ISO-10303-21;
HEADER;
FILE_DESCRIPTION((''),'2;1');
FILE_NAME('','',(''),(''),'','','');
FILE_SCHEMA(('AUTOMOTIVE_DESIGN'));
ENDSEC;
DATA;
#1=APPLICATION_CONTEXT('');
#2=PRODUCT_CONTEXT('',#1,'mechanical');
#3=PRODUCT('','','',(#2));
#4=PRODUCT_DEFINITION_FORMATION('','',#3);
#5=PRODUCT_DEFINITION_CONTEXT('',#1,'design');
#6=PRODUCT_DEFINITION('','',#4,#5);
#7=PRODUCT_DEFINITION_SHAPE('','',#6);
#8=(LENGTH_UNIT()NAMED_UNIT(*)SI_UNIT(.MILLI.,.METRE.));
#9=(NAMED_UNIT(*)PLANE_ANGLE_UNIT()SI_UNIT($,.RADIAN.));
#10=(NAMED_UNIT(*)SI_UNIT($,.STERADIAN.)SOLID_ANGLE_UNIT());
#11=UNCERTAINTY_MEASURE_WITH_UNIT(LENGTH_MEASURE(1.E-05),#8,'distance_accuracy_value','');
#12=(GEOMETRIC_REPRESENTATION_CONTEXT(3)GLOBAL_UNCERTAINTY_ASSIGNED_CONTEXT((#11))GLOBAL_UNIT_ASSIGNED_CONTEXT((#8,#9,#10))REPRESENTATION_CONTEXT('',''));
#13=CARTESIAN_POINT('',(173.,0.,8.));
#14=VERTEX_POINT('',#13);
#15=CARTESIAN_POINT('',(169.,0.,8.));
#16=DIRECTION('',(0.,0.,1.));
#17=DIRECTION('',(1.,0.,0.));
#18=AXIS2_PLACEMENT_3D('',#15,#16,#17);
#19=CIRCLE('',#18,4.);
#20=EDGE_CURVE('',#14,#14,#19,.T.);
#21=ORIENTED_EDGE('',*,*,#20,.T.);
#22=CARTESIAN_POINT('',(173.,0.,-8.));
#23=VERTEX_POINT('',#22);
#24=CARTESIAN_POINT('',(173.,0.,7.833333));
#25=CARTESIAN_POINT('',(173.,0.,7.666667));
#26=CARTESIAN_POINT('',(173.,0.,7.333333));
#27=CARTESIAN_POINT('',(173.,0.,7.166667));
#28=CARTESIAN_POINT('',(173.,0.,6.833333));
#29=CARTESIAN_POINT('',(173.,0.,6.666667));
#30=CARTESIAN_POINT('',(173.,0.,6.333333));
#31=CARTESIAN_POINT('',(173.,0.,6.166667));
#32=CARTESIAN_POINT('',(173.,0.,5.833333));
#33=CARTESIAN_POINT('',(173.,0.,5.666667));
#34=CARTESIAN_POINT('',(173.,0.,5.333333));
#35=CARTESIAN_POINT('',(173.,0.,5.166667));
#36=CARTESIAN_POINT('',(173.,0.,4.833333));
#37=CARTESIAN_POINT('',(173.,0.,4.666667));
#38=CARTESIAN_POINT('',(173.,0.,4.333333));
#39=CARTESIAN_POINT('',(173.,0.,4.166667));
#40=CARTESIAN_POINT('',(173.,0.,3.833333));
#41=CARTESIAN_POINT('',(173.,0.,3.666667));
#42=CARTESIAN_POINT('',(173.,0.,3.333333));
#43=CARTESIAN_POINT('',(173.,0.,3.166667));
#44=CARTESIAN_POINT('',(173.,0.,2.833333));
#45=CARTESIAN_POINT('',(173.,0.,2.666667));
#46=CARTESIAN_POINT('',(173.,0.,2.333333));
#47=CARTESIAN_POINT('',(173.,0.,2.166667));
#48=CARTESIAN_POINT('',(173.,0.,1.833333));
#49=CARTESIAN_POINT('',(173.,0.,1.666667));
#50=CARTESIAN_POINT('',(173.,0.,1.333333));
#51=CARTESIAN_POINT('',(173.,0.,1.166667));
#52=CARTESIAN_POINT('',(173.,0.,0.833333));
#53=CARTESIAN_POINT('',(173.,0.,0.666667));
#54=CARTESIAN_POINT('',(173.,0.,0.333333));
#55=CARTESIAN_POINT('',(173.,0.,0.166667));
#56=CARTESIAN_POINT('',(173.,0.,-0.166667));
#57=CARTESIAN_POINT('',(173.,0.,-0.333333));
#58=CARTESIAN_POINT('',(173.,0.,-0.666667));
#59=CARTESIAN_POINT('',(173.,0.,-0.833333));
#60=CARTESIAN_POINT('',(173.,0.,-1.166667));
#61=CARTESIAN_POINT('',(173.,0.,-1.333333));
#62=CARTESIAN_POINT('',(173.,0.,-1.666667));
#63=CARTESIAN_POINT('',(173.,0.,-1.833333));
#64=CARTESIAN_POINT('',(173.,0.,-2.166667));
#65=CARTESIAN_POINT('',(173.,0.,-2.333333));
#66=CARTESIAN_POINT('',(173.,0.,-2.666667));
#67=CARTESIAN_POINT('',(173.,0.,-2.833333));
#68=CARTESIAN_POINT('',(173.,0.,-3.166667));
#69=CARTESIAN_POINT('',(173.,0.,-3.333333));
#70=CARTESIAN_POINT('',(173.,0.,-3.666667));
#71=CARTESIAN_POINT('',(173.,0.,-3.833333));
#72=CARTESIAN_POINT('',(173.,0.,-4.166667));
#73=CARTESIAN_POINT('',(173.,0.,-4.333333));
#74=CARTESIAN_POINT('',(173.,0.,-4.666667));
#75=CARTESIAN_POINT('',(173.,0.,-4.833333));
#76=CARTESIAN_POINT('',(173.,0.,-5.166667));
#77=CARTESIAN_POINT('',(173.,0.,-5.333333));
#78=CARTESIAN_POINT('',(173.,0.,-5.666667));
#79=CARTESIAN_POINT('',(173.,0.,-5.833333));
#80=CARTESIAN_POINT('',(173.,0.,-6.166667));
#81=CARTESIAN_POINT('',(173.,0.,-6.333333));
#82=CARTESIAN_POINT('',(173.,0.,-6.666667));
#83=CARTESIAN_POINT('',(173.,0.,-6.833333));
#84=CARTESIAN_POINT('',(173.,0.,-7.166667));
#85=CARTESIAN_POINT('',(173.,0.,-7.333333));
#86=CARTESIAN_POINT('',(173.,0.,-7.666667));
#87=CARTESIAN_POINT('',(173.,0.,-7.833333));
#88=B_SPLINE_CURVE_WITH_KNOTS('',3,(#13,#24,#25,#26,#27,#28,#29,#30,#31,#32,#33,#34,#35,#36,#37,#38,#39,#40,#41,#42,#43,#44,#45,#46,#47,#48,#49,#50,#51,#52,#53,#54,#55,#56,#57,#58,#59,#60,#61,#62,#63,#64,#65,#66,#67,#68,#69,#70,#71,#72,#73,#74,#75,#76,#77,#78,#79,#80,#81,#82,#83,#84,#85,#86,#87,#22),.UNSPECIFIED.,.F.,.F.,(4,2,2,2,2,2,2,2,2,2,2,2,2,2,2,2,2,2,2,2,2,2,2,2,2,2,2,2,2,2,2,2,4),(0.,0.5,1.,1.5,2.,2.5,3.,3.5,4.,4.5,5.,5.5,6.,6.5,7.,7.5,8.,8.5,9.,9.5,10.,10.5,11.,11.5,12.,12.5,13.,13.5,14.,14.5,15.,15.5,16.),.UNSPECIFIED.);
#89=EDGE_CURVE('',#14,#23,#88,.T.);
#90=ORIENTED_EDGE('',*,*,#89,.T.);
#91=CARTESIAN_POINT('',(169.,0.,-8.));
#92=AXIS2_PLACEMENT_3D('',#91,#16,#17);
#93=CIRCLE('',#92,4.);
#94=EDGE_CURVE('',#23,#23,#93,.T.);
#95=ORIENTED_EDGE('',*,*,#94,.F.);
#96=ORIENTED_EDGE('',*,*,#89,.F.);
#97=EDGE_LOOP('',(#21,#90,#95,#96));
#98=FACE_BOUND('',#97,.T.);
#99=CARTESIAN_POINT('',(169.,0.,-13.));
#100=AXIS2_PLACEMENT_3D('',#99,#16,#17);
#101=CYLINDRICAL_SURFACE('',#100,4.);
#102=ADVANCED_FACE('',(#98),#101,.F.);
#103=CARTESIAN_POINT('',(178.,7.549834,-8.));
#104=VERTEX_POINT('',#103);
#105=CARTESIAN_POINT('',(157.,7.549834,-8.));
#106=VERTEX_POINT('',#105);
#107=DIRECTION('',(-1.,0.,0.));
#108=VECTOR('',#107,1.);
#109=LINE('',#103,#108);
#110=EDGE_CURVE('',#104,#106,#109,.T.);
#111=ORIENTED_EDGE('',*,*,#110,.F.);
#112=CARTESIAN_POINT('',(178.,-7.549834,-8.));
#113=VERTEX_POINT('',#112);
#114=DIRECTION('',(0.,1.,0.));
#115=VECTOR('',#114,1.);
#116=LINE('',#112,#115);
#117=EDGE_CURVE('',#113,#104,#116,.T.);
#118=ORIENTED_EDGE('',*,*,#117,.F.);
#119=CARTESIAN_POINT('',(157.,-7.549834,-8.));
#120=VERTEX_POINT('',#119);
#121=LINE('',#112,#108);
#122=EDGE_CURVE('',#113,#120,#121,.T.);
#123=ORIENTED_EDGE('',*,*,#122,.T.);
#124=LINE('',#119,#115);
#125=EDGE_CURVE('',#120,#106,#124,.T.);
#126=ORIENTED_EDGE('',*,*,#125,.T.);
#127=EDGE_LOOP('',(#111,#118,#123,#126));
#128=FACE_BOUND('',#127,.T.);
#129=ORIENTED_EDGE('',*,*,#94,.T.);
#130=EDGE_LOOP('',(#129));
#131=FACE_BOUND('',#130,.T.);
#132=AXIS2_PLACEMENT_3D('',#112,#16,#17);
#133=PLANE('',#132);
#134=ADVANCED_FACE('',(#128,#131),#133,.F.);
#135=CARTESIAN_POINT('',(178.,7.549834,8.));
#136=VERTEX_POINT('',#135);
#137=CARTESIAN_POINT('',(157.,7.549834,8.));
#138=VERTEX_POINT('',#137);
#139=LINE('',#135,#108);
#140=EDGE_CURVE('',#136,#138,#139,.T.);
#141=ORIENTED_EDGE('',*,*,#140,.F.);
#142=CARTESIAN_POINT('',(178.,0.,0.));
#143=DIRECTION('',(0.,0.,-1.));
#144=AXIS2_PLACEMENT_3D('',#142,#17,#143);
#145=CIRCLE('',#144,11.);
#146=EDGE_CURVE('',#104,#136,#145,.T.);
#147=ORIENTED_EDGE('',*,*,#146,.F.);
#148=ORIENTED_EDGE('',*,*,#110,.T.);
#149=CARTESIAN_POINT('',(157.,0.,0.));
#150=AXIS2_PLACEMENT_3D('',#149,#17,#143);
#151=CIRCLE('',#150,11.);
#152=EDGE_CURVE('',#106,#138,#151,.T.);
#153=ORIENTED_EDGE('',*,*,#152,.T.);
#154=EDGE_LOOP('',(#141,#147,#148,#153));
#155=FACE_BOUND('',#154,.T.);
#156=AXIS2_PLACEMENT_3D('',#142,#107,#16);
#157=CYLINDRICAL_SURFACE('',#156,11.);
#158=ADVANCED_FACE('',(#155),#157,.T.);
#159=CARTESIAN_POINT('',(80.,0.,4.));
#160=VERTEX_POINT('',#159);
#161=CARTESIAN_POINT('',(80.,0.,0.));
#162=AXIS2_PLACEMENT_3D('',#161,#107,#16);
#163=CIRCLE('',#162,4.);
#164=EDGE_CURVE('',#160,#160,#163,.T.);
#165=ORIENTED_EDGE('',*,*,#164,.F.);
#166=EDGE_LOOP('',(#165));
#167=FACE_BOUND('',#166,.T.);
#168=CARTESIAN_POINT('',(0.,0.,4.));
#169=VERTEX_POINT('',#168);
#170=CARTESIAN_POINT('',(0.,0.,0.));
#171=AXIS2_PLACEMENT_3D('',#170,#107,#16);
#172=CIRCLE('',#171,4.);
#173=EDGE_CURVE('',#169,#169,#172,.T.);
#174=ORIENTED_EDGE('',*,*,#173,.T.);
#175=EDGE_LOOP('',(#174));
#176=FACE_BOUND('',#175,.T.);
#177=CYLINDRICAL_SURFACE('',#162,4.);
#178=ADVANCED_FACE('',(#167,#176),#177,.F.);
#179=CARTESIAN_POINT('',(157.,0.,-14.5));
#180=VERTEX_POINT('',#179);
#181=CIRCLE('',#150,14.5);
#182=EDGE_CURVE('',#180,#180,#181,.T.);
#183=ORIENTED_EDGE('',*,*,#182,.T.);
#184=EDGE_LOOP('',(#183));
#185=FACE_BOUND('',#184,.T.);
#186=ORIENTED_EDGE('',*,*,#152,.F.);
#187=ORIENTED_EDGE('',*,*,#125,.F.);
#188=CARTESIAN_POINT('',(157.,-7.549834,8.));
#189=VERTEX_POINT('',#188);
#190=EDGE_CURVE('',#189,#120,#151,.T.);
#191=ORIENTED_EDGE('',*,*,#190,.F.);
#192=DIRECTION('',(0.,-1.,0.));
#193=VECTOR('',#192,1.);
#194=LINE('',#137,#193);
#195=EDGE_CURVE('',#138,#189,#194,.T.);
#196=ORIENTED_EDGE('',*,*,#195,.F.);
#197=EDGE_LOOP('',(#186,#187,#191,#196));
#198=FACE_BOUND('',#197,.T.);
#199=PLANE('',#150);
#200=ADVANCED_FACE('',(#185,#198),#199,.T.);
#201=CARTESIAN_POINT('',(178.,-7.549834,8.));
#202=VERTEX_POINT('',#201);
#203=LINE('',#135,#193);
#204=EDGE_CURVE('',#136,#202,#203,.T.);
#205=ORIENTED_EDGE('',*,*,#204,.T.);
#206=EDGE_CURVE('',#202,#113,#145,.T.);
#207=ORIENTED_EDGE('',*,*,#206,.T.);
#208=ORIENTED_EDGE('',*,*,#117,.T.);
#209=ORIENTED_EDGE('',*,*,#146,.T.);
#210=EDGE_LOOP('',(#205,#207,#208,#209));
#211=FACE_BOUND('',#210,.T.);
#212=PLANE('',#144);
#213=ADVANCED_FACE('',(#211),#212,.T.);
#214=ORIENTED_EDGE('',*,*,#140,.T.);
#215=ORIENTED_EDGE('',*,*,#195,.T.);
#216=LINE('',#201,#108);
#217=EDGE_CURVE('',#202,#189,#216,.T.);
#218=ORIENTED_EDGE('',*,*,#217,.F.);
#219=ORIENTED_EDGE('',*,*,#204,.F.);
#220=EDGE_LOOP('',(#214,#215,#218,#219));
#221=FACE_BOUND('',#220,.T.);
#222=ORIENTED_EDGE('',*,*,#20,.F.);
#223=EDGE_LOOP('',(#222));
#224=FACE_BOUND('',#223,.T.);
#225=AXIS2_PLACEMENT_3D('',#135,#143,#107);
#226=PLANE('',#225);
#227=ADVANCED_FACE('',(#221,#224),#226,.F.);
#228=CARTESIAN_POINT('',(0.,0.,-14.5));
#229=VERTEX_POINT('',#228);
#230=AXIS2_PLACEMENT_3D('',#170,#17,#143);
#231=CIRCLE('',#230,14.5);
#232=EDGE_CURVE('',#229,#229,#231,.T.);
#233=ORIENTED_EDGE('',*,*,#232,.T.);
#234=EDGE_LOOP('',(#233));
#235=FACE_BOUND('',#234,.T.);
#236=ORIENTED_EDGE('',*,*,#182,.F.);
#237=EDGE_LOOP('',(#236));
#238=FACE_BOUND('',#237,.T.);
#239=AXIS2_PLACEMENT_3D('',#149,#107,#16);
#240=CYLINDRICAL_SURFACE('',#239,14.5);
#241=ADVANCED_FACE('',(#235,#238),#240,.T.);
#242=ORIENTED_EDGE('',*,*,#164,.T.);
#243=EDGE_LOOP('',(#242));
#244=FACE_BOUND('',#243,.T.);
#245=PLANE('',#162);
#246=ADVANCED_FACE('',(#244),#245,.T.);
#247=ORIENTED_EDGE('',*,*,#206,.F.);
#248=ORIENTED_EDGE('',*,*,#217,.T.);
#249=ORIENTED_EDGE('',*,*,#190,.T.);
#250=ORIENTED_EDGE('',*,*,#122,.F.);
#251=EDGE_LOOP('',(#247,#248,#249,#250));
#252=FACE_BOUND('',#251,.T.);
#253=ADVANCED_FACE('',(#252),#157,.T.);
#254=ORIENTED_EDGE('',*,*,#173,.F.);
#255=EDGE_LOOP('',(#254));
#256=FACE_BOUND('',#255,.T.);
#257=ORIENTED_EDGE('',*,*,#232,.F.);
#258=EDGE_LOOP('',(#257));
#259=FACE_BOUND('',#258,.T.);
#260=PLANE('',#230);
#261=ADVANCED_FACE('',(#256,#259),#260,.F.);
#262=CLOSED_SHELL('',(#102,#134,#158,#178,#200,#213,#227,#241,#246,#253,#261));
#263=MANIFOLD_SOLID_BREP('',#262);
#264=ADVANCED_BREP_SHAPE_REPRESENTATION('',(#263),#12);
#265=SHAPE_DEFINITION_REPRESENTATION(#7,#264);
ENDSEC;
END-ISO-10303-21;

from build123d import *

# Parameters (mm, degrees)
SKETCH_1_R          = 14.5
EXTRUDE_1_DEPTH     = 157
EXTRUDE_2_DEPTH     = 21
SKETCH_3_R          = 4
CUT_EXTRUDE_1_DEPTH = 21
SKETCH_4_R          = 4
CUT_EXTRUDE_2_DEPTH = 80


with BuildPart() as part:
    # 草图1 → 凸台-拉伸1 (new body)
    with BuildSketch(Plane(origin=(0, 0, 0), x_dir=(0, 0, -1), z_dir=(1, 0, 0))):
        Circle(SKETCH_1_R)
    extrude(amount=EXTRUDE_1_DEPTH)

    # 草图2 → 凸台-拉伸2 (add)
    with BuildSketch(Plane(origin=(157, 0, 0), x_dir=(0, 0, -1), z_dir=(1, 0, 0))):
        with BuildLine():
            Line((-8, 7.549834435), (-8, -7.549834435))
            ThreePointArc((-8, -7.549834435), (0, -11), (8, -7.549834435))
            Line((8, -7.549834435), (8, 7.549834435))
            ThreePointArc((8, 7.549834435), (0, 11), (-8, 7.549834435))
        make_face()
    extrude(amount=EXTRUDE_2_DEPTH)

    # 草图3 → 切除-拉伸1 (cut)
    with BuildSketch(Plane.XY.offset(8)):
        with Locations((169, 0)):
            Circle(SKETCH_3_R)
    extrude(amount=-CUT_EXTRUDE_1_DEPTH, mode=Mode.SUBTRACT)

    # 草图4 → 切除-拉伸2 (cut)
    with BuildSketch(Plane.ZY):
        Circle(SKETCH_4_R)
    extrude(amount=-CUT_EXTRUDE_2_DEPTH, mode=Mode.SUBTRACT)


solid = part.part
